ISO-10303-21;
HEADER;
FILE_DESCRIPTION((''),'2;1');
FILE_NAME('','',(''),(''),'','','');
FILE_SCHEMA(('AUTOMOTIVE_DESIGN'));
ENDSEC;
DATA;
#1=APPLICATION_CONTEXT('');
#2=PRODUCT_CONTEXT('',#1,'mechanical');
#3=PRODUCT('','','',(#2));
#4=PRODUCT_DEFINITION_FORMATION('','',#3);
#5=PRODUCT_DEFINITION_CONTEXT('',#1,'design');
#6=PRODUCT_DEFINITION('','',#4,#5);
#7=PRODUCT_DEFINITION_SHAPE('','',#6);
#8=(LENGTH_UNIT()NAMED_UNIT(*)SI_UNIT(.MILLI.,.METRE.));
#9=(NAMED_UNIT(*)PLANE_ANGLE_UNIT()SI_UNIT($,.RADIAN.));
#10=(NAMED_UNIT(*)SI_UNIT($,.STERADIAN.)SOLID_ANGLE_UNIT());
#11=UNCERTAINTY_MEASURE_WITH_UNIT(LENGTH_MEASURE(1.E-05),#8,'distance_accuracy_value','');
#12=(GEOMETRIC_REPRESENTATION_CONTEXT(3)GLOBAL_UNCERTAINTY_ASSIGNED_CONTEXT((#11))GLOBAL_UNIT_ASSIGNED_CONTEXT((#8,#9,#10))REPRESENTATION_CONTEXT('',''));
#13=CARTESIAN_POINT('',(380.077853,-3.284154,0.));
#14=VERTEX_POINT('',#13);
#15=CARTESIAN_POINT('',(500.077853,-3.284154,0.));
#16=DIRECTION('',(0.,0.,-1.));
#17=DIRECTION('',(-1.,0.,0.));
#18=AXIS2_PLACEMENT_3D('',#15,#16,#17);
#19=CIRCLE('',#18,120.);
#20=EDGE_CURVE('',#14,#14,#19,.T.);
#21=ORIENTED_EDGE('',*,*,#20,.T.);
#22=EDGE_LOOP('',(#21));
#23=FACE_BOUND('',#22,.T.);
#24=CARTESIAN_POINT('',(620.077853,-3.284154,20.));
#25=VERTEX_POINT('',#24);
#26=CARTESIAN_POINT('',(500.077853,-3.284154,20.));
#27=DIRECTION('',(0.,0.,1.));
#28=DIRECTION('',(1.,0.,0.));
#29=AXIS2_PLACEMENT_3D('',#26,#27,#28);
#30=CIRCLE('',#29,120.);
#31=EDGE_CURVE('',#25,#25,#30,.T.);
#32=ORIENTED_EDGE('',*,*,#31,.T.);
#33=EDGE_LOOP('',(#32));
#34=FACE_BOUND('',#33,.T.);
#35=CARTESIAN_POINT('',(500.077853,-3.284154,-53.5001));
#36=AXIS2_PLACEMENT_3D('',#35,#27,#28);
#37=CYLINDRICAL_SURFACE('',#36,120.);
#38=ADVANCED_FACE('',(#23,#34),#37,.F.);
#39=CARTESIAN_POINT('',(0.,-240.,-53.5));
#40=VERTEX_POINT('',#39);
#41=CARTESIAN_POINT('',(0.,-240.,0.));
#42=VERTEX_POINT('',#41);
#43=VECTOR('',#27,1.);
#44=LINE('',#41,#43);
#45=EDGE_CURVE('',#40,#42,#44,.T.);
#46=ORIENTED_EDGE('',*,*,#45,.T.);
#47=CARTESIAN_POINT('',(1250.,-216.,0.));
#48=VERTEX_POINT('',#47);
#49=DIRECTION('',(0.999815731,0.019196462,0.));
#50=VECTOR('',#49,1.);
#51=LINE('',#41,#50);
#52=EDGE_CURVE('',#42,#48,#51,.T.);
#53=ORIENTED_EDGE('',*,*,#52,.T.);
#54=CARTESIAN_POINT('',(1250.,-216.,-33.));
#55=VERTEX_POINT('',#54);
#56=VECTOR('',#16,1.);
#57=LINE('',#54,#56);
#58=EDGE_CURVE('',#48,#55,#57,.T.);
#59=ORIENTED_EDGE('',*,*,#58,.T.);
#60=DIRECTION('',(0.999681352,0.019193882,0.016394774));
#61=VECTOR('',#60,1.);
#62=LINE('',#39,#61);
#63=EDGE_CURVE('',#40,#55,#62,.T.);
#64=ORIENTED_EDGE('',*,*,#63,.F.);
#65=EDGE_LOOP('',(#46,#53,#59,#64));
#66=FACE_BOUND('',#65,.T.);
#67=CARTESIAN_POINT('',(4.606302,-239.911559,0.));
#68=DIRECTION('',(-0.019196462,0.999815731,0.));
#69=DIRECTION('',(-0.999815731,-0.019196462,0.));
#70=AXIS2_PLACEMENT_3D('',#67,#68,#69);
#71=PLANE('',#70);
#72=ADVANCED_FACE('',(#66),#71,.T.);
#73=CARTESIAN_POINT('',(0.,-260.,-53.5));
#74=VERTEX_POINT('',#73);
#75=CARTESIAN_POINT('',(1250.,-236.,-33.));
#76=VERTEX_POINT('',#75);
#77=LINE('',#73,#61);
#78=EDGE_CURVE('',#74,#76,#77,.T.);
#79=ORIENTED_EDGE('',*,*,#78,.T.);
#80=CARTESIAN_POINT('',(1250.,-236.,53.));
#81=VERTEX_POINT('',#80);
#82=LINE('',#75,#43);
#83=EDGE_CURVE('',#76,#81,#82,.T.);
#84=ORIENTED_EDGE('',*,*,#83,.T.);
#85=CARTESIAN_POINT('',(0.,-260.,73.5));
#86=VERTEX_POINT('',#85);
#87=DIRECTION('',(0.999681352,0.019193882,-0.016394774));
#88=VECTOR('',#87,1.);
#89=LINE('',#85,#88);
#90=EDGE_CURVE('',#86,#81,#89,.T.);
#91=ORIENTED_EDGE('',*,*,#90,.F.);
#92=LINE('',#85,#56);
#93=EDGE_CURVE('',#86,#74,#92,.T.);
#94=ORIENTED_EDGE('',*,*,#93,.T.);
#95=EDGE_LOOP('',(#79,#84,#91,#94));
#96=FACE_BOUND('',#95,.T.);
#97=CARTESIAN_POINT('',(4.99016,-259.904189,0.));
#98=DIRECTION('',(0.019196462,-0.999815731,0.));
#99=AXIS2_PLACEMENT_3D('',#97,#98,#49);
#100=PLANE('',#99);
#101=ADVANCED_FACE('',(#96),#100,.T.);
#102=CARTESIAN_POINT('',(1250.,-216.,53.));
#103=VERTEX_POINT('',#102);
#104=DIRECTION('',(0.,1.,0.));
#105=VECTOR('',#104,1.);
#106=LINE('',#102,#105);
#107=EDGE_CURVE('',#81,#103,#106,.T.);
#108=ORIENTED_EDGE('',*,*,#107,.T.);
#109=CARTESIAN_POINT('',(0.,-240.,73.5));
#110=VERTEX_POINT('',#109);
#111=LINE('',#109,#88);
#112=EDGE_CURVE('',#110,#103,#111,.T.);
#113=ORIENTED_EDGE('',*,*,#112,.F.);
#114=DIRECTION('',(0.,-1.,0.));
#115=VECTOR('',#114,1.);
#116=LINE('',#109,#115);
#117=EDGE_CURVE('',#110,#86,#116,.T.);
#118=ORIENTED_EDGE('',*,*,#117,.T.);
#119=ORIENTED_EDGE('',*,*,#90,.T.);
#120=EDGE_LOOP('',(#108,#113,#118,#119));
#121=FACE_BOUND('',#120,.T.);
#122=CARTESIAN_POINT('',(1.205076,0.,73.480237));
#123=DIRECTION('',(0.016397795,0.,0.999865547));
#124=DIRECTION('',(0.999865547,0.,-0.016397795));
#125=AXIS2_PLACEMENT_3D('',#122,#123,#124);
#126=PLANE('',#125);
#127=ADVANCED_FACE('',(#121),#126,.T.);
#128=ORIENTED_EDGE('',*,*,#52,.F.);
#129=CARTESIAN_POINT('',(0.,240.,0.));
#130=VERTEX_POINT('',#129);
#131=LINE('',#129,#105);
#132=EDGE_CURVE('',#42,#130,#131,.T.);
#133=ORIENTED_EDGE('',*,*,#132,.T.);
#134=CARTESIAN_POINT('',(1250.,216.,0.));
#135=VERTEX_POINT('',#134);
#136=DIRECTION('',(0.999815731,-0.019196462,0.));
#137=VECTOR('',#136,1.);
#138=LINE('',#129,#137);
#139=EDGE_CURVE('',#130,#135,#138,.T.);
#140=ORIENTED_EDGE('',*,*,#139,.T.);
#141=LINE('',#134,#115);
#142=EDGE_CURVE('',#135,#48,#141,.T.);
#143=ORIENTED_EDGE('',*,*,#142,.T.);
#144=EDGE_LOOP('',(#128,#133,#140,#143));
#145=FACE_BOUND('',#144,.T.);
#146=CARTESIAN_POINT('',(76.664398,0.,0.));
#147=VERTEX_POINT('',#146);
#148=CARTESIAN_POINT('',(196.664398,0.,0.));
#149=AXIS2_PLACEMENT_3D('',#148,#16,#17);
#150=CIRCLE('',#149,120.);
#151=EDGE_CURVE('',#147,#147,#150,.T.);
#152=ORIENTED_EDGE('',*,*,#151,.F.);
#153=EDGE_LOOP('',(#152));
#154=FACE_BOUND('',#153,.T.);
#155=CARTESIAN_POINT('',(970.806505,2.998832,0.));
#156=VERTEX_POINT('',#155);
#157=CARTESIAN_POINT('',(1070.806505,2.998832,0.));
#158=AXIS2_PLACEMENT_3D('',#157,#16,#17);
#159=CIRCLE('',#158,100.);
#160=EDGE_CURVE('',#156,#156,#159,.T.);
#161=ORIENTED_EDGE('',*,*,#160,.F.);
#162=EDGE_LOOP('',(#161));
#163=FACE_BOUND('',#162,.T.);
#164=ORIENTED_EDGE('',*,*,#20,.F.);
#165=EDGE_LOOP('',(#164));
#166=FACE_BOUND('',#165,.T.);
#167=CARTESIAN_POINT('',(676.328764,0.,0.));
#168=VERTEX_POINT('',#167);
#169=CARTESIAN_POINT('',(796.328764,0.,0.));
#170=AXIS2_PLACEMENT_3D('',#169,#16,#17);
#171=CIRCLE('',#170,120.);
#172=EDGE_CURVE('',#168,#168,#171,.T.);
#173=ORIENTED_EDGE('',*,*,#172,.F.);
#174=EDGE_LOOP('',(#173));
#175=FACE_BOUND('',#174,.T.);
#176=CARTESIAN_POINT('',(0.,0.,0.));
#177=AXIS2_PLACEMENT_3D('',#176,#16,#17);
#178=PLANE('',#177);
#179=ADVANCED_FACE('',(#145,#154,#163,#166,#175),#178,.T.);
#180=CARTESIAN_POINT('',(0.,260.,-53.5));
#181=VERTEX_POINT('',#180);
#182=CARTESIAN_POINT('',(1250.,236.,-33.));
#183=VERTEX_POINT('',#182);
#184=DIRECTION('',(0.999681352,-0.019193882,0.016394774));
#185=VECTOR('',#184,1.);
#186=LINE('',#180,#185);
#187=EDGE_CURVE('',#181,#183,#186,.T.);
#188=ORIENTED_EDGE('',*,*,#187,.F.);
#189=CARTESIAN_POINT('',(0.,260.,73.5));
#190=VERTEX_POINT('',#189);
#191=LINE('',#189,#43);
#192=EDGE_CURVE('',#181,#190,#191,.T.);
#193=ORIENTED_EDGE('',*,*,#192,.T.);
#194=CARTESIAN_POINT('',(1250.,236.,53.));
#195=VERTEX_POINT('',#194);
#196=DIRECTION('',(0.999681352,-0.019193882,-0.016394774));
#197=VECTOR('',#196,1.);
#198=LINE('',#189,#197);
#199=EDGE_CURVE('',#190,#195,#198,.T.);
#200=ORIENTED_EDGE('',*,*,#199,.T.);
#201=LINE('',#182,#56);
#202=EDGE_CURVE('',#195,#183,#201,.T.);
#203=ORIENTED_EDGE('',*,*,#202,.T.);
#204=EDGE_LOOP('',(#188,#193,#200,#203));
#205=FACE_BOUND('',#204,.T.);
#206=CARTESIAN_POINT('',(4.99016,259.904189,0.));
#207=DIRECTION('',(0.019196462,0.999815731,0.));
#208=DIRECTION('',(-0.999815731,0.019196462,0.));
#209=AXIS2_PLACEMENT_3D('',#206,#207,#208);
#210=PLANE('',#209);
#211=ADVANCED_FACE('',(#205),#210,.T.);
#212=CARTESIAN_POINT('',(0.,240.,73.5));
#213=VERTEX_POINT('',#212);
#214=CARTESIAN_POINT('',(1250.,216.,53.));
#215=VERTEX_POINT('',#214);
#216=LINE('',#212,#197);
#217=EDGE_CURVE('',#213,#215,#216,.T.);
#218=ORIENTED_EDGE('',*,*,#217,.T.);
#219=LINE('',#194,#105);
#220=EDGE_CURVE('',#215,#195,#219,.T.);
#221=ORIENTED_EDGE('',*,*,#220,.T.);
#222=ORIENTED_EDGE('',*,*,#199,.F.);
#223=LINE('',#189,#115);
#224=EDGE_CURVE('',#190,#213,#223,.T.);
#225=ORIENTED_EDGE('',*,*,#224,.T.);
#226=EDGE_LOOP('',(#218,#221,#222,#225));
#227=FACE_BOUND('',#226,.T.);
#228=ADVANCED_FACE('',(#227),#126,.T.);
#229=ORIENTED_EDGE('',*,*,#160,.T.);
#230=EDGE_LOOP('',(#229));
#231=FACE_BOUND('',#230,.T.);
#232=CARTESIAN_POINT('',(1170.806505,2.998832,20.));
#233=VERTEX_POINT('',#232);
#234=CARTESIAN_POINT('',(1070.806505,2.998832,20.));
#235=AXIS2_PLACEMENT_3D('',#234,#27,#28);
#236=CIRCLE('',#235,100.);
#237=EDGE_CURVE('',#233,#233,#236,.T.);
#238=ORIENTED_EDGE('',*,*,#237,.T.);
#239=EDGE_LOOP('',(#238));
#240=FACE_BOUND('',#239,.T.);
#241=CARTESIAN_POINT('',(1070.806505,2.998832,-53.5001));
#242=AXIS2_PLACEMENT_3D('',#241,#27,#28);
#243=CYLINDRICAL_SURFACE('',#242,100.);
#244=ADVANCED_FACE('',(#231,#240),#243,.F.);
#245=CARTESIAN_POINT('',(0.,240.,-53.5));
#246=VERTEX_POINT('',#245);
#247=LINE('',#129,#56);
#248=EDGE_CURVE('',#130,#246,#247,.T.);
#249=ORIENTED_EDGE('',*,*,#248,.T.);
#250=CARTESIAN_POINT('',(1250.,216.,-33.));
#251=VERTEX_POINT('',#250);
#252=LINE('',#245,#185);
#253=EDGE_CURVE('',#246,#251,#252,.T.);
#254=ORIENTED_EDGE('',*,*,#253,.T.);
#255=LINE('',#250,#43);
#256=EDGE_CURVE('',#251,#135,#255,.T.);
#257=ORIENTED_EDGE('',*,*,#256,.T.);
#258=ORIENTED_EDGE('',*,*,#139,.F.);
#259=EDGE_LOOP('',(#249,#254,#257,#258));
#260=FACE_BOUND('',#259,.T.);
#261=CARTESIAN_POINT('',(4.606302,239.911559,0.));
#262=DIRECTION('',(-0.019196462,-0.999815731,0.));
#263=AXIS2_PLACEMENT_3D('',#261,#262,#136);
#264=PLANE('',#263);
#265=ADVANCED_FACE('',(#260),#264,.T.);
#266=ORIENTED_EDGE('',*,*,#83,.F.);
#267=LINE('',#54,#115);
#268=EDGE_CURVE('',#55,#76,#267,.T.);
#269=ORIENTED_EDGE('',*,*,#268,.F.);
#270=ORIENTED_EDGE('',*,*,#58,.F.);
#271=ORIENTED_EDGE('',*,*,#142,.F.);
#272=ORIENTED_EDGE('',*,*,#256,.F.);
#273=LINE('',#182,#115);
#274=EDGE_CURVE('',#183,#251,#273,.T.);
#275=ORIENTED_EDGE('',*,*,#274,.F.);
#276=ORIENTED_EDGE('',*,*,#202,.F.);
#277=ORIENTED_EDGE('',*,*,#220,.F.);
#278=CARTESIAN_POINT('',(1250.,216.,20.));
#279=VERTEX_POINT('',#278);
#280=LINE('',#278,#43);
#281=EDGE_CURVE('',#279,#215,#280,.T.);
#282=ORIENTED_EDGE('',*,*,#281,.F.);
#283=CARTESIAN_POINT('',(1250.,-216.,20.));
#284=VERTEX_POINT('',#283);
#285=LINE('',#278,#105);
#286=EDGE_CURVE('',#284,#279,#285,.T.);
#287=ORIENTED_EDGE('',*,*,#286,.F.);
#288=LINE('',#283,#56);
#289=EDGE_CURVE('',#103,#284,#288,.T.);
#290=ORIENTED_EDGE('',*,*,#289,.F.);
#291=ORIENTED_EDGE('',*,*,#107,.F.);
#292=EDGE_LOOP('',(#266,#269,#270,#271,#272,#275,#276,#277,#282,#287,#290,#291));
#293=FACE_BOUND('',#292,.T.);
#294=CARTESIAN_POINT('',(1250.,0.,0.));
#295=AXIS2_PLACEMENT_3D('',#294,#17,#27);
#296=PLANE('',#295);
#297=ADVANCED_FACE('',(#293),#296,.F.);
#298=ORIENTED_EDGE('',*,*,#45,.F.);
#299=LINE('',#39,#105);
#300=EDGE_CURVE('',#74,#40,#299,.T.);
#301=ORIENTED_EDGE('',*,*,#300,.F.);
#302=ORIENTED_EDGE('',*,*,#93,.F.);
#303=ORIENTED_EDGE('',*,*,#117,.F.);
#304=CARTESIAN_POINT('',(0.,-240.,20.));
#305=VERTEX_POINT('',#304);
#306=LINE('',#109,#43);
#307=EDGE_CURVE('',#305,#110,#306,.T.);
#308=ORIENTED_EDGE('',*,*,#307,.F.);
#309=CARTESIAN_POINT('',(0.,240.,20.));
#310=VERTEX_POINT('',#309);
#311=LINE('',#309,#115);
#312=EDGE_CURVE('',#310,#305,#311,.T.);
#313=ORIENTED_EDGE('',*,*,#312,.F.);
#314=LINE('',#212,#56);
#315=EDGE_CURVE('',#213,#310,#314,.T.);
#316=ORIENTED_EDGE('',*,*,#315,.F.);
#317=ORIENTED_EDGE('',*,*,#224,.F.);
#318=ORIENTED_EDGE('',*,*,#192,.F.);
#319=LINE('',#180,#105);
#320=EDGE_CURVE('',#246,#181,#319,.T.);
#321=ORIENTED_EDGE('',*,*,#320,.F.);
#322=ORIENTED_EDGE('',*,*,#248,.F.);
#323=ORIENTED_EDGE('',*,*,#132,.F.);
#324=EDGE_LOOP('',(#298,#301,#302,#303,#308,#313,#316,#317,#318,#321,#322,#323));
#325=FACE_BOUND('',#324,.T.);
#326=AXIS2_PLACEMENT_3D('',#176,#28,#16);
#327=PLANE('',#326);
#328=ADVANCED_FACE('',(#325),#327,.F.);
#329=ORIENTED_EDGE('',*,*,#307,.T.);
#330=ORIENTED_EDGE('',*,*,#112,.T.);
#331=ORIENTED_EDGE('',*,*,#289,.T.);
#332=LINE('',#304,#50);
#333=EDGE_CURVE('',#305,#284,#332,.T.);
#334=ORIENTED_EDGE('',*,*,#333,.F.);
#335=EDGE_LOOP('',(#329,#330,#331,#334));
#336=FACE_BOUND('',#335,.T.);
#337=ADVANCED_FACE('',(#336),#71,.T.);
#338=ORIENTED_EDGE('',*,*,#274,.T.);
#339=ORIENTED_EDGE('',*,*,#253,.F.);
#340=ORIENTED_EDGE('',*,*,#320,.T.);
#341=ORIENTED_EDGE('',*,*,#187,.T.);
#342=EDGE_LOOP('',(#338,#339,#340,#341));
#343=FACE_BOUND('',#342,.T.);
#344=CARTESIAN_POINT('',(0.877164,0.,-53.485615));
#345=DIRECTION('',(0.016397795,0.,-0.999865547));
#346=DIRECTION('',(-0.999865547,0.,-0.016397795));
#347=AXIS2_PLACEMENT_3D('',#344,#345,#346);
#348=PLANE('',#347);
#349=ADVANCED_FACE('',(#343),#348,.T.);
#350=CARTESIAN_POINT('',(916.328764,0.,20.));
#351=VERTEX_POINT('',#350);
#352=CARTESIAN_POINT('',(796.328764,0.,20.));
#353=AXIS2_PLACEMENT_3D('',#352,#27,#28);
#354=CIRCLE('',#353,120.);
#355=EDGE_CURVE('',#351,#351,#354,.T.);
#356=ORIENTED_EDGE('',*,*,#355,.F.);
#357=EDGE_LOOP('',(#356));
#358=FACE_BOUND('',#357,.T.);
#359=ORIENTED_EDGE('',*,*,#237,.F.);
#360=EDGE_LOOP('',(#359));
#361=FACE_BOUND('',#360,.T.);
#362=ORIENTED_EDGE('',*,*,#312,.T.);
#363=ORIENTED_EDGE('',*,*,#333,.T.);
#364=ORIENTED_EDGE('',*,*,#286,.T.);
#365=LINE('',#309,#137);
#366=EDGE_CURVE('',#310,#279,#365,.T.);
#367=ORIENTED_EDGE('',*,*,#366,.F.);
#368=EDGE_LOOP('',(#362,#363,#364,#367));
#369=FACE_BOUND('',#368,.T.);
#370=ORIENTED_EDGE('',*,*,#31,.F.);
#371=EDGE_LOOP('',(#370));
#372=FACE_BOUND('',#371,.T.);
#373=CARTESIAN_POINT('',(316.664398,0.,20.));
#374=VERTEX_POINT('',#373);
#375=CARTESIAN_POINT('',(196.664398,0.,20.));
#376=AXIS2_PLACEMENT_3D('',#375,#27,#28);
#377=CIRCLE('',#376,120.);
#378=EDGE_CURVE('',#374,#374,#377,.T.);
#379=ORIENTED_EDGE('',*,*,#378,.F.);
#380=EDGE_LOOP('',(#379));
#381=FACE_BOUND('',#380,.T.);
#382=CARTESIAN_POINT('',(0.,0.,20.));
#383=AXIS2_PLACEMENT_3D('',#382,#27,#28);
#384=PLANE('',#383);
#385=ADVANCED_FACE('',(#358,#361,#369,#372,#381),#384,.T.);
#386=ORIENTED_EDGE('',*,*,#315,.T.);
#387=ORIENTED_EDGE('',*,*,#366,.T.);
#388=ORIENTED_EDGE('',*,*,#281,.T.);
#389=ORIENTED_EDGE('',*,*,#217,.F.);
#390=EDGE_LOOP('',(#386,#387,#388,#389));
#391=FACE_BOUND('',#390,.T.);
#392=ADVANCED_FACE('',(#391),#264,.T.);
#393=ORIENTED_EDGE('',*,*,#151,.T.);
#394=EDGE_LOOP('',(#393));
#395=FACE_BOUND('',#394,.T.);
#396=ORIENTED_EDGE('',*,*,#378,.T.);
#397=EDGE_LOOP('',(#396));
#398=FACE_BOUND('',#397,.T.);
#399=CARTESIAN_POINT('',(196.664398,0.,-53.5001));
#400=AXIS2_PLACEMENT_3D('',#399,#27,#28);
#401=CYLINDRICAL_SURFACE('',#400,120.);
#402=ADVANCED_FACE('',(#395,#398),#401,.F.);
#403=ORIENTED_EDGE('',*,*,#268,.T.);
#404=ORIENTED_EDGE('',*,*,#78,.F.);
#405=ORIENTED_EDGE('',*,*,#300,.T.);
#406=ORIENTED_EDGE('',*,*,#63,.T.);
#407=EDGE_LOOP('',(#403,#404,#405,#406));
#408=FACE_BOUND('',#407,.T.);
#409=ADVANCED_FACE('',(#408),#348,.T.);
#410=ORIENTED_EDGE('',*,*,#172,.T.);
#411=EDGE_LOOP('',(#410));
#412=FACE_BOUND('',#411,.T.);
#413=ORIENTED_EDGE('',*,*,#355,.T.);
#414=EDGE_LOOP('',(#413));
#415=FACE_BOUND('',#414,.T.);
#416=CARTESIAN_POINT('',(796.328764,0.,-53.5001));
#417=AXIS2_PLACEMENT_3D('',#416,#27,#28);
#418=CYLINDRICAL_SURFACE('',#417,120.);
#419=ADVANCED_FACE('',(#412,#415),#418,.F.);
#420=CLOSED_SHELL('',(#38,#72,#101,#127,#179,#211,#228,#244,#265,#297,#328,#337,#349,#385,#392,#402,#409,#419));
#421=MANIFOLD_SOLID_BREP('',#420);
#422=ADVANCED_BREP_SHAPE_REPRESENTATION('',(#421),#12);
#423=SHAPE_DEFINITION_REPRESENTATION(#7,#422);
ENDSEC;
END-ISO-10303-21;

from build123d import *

# Parameters (mm, degrees)
SKETCH6_R          = 120
SKETCH6_R_2        = 100
CUT_EXTRUDE1_DEPTH = 74.5000001


with BuildPart() as part:
    # Sketch1 → Loft l3 section 0
    with BuildSketch(Plane(origin=(0, 0, 0), x_dir=(0, 0, -1), z_dir=(1, 0, 0))):
        Polygon((-73.5, 260), (53.5, 260), (53.5, 240), (0, 240), (0, -240), (53.5, -240), (53.5, -260), (-73.5, -260), (-73.5, -240), (-20, -240), (-20, 240), (-73.5, 240), align=None)
    # Sketch4 → Loft l3 section 1
    with BuildSketch(Plane(origin=(1250, 0, -1000), x_dir=(0, 0, 1), z_dir=(-1, 0, 0))):
        Polygon((967, 236), (1053, 236), (1053, 216), (1020, 216), (1020, -216), (1053, -216), (1053, -236), (967, -236), (967, -216), (1000, -216), (1000, 216), (967, 216), align=None)
    loft()

    # Sketch6 → Cut-Extrude1 (cut, through all)
    with BuildSketch(Plane.XY.offset(20)):
        with Locations((196.664397563, 0)):
            Circle(SKETCH6_R)
        with Locations((500.077852957, -3.284154434)):
            Circle(SKETCH6_R)
        with Locations((796.32876443, 0)):
            Circle(SKETCH6_R)
        with Locations((1070.806505034, 2.998831576)):
            Circle(SKETCH6_R_2)
    extrude(amount=-CUT_EXTRUDE1_DEPTH, mode=Mode.SUBTRACT)


solid = part.part
